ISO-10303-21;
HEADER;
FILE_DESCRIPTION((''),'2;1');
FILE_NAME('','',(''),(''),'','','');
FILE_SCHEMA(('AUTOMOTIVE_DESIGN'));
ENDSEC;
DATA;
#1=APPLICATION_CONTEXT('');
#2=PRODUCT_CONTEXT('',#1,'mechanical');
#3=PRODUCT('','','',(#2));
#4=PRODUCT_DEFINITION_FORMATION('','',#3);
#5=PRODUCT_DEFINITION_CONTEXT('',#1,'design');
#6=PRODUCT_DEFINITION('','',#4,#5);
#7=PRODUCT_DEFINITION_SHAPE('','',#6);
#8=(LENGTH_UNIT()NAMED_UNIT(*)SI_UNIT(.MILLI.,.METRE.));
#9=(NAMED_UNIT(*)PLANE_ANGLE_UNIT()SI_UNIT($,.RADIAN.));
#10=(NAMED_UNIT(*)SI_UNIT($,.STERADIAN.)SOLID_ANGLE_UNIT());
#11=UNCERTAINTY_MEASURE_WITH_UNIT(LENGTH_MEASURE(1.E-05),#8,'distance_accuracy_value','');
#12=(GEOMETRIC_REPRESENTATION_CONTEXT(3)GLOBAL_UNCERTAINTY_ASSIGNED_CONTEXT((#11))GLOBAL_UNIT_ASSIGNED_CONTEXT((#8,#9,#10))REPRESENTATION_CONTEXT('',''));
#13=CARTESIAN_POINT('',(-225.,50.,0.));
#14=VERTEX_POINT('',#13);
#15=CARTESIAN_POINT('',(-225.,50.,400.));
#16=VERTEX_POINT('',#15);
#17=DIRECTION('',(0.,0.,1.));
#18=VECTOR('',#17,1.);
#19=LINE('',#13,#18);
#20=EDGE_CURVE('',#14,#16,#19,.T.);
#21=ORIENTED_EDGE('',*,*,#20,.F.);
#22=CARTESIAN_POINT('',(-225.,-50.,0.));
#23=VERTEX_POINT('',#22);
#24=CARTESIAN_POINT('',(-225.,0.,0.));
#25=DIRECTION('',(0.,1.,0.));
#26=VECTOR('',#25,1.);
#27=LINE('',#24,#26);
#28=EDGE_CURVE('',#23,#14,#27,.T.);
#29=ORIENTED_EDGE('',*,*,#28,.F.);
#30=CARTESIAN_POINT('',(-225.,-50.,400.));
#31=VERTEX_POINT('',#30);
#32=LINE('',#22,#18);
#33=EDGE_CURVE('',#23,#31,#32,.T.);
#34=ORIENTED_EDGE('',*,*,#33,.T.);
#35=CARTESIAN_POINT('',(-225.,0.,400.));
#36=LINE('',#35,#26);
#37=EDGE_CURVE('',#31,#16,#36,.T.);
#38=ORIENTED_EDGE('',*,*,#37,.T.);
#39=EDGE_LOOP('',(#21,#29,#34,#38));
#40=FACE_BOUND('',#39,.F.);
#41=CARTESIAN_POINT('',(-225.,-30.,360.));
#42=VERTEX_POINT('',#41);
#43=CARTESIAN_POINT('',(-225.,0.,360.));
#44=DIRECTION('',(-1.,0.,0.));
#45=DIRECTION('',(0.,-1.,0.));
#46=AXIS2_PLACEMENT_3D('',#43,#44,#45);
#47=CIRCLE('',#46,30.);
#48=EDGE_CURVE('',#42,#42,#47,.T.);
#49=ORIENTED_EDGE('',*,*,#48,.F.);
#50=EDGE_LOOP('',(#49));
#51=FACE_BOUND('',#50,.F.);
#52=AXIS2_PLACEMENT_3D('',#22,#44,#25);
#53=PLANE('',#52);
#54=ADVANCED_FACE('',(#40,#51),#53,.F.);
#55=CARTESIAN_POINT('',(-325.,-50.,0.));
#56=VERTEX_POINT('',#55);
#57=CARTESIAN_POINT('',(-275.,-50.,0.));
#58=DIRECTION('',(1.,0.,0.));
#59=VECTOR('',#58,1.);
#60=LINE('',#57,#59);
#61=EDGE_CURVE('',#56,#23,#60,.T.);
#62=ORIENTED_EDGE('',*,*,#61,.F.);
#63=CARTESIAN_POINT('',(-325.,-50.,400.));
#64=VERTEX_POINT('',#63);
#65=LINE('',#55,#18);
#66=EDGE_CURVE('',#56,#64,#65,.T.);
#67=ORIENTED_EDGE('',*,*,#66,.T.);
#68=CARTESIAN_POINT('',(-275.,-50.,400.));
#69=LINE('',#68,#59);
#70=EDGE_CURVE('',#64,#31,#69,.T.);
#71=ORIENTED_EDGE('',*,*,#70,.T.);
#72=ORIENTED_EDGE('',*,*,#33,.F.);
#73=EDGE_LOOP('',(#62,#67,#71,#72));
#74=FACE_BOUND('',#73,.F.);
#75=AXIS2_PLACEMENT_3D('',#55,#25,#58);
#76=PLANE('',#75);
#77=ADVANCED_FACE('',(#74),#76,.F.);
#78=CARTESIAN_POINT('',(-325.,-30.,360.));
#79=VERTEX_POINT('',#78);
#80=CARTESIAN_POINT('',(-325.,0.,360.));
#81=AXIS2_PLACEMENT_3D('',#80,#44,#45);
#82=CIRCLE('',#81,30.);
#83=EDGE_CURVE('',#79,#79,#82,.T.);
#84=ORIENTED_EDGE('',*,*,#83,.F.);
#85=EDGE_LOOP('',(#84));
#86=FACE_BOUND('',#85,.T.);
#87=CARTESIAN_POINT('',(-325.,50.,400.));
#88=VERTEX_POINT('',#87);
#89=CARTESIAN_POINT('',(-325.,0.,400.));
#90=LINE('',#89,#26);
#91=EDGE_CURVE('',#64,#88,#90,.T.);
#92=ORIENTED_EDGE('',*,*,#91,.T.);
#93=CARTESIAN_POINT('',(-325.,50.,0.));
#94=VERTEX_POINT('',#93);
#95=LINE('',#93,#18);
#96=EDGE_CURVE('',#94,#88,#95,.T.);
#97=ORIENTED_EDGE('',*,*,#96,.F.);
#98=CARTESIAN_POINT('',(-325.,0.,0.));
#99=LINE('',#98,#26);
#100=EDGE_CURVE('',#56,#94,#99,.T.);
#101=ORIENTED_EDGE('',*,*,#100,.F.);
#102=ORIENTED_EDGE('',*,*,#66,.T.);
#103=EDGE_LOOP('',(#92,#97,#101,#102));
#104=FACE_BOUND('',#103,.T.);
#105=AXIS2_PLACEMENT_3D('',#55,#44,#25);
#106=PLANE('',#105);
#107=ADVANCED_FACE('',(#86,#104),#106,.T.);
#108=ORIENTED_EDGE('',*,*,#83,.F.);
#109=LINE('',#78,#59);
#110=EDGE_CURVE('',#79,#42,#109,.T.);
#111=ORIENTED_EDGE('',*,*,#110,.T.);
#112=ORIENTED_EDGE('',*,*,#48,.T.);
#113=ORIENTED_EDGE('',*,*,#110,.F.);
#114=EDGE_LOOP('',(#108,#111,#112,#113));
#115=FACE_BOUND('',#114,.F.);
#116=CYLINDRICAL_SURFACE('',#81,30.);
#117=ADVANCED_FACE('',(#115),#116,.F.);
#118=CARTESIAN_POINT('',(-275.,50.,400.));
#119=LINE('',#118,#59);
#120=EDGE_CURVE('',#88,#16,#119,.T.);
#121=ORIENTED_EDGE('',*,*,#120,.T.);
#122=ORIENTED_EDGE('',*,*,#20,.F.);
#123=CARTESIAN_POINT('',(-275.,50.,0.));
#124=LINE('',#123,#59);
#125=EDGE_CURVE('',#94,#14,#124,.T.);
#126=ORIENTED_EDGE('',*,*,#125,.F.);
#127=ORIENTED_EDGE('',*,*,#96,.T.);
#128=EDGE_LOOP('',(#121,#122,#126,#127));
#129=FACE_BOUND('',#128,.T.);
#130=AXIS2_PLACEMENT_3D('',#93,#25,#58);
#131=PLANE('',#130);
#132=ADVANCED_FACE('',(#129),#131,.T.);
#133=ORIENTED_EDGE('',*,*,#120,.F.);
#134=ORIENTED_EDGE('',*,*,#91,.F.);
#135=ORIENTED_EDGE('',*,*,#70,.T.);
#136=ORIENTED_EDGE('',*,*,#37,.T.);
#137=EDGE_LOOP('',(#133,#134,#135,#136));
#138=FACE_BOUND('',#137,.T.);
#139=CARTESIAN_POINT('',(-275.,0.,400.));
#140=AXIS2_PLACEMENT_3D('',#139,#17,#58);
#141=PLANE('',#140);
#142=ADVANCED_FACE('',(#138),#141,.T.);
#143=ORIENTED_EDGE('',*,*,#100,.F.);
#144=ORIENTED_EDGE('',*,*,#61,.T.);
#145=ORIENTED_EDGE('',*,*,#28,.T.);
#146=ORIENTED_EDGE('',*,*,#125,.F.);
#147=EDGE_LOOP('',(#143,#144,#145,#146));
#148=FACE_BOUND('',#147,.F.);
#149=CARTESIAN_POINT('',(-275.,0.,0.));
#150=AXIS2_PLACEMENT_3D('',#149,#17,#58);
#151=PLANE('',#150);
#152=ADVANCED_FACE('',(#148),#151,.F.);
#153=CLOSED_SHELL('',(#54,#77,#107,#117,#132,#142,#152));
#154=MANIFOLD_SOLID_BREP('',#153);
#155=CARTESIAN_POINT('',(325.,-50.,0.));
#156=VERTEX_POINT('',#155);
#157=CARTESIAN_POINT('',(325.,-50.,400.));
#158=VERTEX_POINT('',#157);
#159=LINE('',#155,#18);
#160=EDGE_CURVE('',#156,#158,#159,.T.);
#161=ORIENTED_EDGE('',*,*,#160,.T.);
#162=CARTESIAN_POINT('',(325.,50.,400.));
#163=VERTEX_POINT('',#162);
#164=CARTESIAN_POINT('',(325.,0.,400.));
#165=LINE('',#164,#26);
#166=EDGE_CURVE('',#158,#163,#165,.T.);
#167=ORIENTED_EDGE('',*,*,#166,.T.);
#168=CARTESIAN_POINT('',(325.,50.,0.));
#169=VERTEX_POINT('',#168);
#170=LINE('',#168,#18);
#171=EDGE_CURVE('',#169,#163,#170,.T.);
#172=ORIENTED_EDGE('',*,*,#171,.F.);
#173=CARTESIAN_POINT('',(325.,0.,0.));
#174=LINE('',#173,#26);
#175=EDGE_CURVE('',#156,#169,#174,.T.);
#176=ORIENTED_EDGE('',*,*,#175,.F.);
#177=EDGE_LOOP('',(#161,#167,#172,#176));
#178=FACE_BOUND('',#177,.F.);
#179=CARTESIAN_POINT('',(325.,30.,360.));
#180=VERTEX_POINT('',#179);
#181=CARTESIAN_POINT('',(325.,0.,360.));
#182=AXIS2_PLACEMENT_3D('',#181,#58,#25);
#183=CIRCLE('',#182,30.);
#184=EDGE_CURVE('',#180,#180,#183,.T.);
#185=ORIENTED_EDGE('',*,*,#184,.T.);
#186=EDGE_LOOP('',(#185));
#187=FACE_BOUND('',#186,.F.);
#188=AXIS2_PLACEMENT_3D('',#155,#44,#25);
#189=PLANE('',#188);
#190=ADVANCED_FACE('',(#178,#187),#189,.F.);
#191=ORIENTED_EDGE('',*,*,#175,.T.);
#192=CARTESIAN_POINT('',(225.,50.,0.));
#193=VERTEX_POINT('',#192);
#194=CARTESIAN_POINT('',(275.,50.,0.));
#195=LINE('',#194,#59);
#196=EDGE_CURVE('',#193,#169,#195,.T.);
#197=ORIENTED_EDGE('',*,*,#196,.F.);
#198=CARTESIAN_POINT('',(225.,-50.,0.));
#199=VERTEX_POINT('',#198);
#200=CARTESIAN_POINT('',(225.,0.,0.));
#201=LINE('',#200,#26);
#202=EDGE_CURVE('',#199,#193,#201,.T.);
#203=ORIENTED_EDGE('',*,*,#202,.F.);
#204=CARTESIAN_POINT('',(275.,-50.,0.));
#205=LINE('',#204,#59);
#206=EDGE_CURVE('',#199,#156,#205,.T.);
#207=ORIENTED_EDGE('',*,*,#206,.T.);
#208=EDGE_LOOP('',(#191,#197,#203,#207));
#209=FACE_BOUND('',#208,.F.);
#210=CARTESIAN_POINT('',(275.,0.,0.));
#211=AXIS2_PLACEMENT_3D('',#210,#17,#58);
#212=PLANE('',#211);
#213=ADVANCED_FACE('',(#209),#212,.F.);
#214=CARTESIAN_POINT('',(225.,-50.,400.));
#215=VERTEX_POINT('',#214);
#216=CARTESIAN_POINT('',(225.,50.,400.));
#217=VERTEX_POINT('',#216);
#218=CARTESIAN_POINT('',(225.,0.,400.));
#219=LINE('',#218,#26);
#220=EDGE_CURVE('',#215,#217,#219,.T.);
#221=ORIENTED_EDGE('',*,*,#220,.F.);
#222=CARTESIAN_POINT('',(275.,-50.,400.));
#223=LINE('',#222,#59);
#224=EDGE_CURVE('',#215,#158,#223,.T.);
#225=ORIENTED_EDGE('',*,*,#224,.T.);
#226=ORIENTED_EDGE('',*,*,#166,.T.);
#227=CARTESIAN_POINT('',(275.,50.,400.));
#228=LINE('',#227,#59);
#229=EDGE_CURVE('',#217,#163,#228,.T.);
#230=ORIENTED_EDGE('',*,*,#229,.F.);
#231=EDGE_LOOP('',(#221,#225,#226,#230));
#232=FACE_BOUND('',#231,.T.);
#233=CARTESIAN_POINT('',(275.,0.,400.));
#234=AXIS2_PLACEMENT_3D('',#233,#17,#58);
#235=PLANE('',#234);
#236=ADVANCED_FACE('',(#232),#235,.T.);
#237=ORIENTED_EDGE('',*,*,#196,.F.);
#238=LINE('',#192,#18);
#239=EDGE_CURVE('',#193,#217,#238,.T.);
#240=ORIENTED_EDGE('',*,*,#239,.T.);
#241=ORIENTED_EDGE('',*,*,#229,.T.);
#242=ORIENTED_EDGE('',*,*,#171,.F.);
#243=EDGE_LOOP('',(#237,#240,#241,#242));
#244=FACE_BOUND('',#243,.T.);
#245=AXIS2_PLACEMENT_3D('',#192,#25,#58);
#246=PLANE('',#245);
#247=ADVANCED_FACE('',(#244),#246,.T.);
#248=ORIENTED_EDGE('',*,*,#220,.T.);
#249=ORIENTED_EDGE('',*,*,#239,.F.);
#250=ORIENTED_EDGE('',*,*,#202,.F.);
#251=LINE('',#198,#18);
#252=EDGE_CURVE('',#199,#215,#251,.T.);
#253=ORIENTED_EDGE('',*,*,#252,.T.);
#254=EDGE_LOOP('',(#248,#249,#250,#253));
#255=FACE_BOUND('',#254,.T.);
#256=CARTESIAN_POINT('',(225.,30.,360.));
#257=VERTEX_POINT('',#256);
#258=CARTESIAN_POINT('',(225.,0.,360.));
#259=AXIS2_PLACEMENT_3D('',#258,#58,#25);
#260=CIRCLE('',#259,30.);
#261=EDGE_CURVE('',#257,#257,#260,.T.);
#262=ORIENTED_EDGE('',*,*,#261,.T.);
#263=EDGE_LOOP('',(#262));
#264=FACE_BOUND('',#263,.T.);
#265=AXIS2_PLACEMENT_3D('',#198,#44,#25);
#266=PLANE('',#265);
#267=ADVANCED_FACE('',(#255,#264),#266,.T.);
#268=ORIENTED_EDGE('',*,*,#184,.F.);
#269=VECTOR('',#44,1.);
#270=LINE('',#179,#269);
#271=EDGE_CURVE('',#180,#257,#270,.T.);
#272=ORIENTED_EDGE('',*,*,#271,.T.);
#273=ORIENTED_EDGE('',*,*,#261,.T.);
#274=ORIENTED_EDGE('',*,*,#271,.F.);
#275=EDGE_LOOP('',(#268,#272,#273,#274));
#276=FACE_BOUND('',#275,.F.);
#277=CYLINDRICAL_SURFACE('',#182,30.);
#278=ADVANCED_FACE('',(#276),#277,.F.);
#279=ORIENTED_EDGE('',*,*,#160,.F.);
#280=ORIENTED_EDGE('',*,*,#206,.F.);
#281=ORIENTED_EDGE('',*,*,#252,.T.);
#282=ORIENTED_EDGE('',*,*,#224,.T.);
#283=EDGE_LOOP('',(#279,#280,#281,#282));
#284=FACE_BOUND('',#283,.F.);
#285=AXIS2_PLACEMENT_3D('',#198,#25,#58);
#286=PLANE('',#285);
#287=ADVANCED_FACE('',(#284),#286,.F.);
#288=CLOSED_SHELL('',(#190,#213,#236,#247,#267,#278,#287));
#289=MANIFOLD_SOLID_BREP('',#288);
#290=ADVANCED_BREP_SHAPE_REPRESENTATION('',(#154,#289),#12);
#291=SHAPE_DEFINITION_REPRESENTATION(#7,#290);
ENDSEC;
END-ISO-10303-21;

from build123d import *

# Parameters (mm, degrees)
F0_W     = 100
F0_H     = 100
F1_DEPTH = 400
F2_R     = 30
F3_DEPTH = 100
F4_R     = 30
F5_DEPTH = 100


with BuildPart() as f1:
    # F0 (on Top) → F1 (new body)
    with BuildSketch(Plane.XY):
        with Locations((-275, 0)):
            Rectangle(F0_W, F0_H)
        with Locations((275, 0)):
            Rectangle(F0_W, F0_H)
    extrude(amount=F1_DEPTH)

    # F2 (on face) → F3 (cut)
    with BuildSketch(Plane.YZ.offset(325)):
        with Locations((0, 360)):
            Circle(F2_R)
    extrude(amount=-F3_DEPTH, mode=Mode.SUBTRACT)

    # F4 (on face) → F5 (cut)
    with BuildSketch(Plane(origin=(-325, 0, 0), x_dir=(0, -1, 0), z_dir=(-1, 0, 0))):
        with Locations((0, 360)):
            Circle(F4_R)
    extrude(amount=-F5_DEPTH, mode=Mode.SUBTRACT)


solid = f1.part
